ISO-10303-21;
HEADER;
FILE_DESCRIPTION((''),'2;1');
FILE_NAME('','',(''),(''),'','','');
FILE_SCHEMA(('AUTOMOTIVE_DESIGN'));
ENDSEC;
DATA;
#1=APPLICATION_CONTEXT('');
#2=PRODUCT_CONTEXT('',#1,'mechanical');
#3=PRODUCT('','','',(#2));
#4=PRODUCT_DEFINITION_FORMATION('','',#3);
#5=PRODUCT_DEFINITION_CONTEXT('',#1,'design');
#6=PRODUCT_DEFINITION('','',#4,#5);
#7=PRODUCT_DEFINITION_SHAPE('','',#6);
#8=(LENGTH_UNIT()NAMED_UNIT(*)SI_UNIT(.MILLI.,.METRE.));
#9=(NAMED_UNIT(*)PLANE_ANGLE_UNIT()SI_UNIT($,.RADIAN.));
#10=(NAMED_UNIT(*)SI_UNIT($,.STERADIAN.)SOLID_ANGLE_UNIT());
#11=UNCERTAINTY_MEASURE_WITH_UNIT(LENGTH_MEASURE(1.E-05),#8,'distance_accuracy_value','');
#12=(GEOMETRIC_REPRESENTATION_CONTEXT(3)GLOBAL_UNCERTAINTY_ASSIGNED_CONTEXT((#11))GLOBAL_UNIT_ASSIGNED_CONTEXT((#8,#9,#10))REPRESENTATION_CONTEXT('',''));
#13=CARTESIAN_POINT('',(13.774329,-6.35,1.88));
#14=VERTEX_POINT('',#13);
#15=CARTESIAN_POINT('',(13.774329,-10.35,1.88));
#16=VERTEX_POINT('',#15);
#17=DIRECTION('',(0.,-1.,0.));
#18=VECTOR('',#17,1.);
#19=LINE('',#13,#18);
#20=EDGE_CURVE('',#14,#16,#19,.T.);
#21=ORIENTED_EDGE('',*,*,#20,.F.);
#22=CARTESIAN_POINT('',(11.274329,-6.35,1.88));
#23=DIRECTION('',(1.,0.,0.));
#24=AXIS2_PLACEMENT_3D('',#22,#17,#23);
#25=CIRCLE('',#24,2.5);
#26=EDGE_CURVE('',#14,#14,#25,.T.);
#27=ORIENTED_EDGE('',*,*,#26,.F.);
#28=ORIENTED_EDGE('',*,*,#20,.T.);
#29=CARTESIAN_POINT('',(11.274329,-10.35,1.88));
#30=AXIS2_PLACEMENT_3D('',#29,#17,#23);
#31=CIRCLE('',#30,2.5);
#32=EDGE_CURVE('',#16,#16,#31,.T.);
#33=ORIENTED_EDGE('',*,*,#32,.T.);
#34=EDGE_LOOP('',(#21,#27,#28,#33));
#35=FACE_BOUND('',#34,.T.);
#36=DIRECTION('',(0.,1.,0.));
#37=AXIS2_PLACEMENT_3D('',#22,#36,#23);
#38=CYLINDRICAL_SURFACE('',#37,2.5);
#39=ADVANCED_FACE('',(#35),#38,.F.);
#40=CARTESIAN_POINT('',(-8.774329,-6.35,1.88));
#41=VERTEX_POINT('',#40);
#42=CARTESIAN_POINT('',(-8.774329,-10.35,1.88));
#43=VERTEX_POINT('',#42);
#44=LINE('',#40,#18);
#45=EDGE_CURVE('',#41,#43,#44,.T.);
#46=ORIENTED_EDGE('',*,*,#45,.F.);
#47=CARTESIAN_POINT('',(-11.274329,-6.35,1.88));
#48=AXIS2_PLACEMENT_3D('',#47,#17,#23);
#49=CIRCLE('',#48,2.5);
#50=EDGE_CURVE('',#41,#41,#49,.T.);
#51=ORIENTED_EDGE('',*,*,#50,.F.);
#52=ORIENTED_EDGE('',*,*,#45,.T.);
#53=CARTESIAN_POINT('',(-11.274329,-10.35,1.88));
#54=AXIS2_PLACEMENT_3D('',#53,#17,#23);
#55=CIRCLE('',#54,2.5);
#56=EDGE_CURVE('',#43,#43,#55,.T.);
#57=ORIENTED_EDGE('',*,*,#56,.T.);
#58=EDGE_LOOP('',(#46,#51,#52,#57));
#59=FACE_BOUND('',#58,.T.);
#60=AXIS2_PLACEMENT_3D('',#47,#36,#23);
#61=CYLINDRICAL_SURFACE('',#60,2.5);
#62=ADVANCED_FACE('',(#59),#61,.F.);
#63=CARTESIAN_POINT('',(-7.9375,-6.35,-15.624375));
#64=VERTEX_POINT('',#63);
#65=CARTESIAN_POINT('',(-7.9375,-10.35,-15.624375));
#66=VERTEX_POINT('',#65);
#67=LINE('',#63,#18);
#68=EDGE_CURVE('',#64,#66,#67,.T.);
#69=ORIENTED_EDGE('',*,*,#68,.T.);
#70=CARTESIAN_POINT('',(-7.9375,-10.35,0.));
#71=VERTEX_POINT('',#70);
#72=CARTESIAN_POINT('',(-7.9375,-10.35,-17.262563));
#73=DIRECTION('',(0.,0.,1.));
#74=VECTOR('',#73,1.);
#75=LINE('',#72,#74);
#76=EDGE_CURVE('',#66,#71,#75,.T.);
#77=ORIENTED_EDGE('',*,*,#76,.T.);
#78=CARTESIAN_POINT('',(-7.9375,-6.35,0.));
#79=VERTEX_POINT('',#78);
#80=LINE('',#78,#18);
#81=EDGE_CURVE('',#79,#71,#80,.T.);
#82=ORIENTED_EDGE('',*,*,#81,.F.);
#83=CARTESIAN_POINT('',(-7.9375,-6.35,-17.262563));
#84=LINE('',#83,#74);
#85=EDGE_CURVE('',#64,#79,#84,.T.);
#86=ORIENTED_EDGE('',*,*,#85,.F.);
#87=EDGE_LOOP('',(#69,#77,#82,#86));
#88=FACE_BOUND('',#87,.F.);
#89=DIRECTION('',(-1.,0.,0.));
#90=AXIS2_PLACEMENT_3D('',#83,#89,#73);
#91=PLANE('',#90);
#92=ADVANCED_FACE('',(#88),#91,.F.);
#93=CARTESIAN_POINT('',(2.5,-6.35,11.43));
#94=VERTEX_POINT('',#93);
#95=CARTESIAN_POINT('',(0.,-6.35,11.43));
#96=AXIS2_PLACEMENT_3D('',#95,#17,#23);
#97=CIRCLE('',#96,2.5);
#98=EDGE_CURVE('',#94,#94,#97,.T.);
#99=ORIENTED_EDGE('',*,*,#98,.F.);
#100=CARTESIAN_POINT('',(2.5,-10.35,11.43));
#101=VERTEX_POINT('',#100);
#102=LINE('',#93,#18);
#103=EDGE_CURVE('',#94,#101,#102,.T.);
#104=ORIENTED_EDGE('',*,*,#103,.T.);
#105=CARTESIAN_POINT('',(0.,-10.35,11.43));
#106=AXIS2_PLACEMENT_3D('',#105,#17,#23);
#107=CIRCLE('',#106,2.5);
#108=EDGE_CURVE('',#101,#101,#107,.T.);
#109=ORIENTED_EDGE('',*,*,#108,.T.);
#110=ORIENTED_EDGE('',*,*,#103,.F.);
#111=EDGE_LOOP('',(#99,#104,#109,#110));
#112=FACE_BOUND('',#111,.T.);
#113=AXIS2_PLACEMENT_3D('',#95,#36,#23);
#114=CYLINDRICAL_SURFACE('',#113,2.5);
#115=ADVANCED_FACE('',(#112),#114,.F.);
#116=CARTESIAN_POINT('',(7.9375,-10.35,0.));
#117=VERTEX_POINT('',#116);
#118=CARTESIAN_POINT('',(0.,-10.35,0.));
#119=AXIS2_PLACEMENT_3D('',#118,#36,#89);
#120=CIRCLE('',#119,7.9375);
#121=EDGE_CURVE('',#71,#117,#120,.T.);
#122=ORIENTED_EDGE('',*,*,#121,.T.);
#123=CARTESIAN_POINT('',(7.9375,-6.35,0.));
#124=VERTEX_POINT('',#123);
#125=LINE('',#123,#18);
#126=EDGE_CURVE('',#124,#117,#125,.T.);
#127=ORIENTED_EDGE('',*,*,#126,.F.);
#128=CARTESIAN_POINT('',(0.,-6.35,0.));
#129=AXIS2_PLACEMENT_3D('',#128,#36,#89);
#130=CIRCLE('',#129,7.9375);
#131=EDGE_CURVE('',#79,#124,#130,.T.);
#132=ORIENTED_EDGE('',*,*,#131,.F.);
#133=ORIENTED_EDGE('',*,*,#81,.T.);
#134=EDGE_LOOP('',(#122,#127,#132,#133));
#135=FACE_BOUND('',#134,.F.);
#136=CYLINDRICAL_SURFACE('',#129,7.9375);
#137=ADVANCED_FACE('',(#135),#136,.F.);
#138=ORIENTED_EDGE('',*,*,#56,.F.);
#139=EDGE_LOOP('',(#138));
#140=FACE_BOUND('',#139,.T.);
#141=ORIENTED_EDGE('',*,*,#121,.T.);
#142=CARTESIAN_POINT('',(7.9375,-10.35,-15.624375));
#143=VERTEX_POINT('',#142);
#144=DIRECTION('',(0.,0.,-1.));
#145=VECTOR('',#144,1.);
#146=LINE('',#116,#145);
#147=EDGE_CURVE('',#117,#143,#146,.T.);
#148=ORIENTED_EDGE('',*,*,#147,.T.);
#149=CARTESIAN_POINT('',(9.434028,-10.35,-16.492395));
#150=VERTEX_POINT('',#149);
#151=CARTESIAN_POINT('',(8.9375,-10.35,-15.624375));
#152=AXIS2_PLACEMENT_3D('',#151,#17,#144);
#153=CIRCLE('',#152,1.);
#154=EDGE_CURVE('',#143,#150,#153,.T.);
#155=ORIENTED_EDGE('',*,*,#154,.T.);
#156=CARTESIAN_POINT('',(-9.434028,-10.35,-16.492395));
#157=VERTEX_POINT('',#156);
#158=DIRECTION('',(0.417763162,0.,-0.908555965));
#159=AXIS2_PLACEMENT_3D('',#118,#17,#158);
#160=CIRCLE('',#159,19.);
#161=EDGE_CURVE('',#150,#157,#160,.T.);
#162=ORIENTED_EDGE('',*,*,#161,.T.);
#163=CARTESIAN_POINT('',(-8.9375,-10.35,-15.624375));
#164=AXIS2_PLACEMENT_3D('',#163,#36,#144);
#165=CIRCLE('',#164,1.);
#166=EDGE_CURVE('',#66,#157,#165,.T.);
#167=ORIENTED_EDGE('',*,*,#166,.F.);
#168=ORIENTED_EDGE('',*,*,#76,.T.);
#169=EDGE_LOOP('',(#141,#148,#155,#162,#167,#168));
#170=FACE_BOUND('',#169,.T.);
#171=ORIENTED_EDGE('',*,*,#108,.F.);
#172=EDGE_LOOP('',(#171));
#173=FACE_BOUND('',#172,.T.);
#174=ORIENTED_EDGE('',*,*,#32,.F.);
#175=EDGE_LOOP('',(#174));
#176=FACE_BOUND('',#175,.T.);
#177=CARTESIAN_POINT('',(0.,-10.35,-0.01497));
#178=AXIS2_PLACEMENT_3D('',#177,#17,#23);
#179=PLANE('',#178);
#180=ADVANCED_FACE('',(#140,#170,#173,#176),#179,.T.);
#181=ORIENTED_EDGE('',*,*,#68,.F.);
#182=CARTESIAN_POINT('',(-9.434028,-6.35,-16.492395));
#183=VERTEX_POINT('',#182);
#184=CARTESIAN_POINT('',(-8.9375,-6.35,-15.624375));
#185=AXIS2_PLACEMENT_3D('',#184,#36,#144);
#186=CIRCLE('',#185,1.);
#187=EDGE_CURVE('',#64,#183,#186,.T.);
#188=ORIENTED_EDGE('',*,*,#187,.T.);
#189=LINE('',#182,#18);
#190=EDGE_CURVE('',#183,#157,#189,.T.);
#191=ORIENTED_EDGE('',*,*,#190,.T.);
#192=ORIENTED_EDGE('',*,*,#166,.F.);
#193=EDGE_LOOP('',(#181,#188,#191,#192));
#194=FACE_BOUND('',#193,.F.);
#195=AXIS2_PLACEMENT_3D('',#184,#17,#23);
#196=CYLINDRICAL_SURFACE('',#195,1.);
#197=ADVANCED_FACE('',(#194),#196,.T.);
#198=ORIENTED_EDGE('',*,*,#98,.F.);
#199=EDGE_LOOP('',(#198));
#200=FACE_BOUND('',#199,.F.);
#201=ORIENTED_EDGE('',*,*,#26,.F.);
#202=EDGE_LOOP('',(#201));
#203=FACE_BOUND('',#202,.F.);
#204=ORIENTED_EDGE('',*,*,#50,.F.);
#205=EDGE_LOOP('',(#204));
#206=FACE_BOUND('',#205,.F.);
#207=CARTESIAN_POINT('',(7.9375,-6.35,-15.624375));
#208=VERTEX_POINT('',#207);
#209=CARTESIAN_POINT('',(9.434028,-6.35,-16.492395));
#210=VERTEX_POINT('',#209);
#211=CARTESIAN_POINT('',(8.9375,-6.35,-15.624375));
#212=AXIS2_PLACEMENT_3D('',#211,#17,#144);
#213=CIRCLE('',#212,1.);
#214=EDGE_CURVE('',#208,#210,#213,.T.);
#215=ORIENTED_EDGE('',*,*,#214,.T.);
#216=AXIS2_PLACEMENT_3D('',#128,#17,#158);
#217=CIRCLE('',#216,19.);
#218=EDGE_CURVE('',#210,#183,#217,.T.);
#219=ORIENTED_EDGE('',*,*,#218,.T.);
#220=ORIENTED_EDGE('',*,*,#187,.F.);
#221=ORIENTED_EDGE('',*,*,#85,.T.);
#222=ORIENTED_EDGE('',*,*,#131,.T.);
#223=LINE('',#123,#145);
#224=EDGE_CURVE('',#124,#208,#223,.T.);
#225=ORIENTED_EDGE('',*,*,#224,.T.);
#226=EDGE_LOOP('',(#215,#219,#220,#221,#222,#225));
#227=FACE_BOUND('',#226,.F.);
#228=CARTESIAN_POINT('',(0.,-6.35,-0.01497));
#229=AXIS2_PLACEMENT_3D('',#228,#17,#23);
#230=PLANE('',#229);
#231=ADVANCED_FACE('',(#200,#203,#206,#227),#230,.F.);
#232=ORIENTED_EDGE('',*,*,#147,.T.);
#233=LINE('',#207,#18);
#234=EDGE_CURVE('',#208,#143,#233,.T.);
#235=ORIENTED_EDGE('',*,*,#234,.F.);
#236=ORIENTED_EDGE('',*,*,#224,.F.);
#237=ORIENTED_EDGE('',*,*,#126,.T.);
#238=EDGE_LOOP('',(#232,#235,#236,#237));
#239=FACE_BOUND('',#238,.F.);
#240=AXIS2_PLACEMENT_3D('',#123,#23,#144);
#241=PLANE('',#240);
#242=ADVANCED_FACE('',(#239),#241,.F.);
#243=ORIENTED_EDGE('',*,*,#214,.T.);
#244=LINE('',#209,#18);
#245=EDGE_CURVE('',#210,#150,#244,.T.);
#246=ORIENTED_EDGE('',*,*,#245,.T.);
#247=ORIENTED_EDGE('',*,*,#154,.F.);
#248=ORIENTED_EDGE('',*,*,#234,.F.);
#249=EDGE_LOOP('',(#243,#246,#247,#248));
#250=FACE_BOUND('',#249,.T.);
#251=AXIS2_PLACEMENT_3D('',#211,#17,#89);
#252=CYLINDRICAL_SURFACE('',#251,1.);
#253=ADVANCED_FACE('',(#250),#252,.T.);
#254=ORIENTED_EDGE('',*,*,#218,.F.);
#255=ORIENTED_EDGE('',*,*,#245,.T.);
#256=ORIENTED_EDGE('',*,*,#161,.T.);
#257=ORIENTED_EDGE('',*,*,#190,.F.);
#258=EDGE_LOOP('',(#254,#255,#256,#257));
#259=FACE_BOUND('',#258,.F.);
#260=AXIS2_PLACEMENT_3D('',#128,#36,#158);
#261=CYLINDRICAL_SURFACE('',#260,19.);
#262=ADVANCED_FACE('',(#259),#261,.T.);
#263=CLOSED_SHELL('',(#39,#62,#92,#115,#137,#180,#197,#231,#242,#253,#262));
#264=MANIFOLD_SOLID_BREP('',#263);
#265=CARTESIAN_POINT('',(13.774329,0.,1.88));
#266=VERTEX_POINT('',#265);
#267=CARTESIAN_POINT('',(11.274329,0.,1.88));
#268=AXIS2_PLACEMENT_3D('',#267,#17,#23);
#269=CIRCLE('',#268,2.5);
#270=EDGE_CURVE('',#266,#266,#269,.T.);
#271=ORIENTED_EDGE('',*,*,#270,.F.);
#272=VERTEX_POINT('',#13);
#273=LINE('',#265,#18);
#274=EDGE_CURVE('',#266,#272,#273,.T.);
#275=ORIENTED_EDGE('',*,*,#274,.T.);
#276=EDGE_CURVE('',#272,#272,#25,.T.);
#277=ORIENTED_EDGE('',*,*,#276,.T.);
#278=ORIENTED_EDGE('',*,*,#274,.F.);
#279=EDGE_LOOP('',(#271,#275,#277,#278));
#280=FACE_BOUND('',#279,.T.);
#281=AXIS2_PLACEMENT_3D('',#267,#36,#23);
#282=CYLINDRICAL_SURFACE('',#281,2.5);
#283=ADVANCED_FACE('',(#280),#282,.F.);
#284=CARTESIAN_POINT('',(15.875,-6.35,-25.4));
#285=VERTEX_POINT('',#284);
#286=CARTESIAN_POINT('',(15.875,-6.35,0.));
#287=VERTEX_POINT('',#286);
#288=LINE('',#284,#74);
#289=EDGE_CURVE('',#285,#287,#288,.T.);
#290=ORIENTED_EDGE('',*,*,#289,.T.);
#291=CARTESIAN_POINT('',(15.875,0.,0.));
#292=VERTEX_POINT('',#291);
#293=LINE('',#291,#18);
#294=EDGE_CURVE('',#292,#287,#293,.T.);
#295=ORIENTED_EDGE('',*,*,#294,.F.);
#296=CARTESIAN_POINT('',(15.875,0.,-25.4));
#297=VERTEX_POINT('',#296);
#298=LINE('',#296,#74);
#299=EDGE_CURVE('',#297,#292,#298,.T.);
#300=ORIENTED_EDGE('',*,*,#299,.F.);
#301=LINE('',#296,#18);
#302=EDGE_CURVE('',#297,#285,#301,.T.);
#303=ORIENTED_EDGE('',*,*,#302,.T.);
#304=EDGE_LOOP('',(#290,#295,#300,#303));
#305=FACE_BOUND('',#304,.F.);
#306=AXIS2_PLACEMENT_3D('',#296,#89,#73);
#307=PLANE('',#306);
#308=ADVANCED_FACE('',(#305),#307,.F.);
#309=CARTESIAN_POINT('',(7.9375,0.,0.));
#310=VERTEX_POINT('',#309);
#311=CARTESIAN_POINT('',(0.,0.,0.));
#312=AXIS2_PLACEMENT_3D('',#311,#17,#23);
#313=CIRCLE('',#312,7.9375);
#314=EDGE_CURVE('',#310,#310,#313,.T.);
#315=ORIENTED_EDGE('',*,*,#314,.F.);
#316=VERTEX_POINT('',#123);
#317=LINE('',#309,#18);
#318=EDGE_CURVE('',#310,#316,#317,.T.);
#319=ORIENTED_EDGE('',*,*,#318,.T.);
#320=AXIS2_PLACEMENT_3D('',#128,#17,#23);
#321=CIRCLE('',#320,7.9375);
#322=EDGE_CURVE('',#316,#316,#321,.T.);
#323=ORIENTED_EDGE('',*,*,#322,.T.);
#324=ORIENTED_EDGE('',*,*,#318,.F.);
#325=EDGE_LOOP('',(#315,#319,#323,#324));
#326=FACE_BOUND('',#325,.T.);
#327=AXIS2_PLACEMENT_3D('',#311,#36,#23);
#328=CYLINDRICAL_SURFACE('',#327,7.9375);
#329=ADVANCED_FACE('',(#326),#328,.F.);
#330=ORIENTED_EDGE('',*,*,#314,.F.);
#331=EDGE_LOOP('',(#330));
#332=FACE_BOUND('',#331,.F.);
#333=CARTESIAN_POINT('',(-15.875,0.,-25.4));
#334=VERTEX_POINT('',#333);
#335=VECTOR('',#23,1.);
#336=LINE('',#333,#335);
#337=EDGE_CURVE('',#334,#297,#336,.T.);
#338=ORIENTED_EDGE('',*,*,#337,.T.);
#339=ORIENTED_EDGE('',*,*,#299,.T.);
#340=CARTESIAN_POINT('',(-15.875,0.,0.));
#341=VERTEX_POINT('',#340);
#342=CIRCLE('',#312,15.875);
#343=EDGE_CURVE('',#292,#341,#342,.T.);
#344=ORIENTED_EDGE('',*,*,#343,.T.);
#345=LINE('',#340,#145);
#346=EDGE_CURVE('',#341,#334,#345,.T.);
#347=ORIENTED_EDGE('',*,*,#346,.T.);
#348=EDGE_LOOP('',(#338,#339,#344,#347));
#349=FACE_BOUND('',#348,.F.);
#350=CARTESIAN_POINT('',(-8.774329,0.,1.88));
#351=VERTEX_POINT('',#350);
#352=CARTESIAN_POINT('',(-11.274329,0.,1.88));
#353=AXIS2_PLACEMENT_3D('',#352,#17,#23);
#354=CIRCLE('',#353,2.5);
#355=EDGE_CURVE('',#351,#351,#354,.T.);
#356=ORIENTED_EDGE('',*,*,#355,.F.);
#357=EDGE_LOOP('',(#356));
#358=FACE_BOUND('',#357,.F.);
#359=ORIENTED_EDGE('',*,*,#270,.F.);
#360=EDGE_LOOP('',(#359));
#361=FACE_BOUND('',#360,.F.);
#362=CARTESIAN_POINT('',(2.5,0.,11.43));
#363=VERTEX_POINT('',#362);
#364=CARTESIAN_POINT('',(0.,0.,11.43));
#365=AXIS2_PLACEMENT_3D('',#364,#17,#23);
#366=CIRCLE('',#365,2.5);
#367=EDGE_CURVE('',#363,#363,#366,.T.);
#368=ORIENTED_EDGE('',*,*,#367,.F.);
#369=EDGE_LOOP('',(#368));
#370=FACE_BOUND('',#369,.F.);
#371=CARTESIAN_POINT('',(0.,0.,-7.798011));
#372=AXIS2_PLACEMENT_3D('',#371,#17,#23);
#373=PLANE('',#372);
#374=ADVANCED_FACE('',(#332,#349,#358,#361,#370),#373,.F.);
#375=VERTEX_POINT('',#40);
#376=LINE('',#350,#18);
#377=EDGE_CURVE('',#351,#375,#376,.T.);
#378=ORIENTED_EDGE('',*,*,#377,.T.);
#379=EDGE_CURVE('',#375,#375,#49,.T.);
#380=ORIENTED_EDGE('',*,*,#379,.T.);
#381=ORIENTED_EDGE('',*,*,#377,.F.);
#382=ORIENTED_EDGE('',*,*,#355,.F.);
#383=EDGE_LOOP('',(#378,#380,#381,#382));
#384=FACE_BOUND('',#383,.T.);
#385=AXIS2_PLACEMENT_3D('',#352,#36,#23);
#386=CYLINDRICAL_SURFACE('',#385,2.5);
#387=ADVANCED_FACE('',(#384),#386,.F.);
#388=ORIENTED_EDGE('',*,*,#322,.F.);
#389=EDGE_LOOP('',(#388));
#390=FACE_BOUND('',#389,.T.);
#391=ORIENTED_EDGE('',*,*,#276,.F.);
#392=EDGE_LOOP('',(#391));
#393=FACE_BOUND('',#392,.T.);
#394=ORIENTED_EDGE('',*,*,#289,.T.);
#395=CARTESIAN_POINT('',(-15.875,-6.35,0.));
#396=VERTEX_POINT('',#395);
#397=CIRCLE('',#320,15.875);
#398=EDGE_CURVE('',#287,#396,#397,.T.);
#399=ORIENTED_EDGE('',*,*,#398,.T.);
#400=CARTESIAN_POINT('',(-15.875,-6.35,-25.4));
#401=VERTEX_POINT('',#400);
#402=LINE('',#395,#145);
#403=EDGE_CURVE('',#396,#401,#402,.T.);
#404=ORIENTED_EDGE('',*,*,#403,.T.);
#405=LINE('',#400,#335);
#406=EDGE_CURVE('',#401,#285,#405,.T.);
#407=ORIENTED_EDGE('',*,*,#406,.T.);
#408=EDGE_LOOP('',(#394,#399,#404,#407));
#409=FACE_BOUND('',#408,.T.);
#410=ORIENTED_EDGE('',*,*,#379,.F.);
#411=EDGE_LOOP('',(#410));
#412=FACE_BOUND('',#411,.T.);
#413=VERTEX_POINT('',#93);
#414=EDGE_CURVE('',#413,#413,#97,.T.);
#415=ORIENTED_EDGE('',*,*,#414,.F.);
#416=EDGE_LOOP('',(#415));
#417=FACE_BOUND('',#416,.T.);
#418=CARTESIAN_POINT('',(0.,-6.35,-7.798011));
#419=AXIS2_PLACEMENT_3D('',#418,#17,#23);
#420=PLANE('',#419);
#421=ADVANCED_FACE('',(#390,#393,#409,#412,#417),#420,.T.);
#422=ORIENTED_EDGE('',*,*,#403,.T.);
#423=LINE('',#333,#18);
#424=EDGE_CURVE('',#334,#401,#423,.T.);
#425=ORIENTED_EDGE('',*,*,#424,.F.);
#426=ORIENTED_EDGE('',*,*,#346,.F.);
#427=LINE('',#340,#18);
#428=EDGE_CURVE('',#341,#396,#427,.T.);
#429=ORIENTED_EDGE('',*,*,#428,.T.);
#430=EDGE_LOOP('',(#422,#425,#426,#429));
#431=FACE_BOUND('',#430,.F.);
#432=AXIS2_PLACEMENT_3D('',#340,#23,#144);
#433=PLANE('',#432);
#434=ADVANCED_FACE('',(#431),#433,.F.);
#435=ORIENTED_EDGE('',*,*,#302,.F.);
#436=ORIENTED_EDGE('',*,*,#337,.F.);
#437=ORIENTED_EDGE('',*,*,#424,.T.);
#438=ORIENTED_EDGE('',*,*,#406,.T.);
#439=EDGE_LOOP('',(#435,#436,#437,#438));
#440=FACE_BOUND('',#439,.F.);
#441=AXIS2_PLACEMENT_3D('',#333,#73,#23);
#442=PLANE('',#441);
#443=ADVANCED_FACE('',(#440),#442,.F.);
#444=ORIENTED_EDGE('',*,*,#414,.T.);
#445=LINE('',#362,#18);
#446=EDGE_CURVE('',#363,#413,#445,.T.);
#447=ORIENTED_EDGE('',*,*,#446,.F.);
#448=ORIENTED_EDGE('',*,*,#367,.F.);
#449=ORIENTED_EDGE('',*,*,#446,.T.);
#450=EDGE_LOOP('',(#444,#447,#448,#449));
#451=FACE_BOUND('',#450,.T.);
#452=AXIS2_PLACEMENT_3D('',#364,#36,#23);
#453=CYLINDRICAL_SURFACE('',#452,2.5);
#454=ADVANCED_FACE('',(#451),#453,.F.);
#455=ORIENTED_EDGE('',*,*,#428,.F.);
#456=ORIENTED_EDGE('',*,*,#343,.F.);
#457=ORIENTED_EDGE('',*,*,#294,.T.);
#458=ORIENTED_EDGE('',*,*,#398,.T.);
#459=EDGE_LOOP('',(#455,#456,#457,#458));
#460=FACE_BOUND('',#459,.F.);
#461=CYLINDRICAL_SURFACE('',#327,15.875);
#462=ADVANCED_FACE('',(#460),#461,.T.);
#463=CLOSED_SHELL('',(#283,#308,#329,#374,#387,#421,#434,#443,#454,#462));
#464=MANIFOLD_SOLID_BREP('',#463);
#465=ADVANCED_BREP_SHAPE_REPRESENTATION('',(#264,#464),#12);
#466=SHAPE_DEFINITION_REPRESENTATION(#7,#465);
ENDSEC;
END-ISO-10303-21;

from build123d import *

# Parameters (mm, degrees)
F0_R     = 2.5
F0_R_2   = 7.9375
F1_DEPTH = 6.35
F2_R     = 2.5
F3_DEPTH = 4
F4_R     = 1


with BuildPart() as f1:
    # F0 (on Front) → F1 (new body)
    with BuildSketch(Plane.XZ):
        with BuildLine():
            Line((15.875, -25.4), (15.875, 0))
            ThreePointArc((15.875, 0), (0, 15.875), (-15.875, 0))
            Line((-15.875, 0), (-15.875, -25.4))
            Line((-15.875, -25.4), (15.875, -25.4))
        make_face()
        with Locations((-11.274329, 1.88)):
            Circle(F0_R, mode=Mode.SUBTRACT)
        Circle(F0_R_2, mode=Mode.SUBTRACT)
        with Locations((11.274329, 1.88)):
            Circle(F0_R, mode=Mode.SUBTRACT)
        with Locations((0, 11.43)):
            Circle(F0_R, mode=Mode.SUBTRACT)
    extrude(amount=F1_DEPTH)


with BuildPart() as f3:
    # F2 (on face) → F3 (new body)
    with BuildSketch(Plane.XZ.offset(6.35)):
        with BuildLine():
            ThreePointArc((-7.9375, 0), (0, 7.9375), (7.9375, 0))
            Line((7.9375, 0), (7.9375, -17.262563))
            ThreePointArc((7.9375, -17.262563), (0, 19), (-7.9375, -17.262563))
            Line((-7.9375, -17.262563), (-7.9375, 0))
        make_face()
        with Locations((-11.274329, 1.88)):
            Circle(F2_R, mode=Mode.SUBTRACT)
        with Locations((11.274329, 1.88)):
            Circle(F2_R, mode=Mode.SUBTRACT)
        with Locations((0, 11.43)):
            Circle(F2_R, mode=Mode.SUBTRACT)
    extrude(amount=F3_DEPTH)

    # F4
    f4_edges = [f3.edges().sort_by_distance(p)[0] for p in [
        (7.9375, -8.35, -17.262563),
        (-7.9375, -8.35, -17.262563),
    ]]
    fillet(f4_edges, radius=F4_R)


solid = Compound([f1.part, f3.part])
